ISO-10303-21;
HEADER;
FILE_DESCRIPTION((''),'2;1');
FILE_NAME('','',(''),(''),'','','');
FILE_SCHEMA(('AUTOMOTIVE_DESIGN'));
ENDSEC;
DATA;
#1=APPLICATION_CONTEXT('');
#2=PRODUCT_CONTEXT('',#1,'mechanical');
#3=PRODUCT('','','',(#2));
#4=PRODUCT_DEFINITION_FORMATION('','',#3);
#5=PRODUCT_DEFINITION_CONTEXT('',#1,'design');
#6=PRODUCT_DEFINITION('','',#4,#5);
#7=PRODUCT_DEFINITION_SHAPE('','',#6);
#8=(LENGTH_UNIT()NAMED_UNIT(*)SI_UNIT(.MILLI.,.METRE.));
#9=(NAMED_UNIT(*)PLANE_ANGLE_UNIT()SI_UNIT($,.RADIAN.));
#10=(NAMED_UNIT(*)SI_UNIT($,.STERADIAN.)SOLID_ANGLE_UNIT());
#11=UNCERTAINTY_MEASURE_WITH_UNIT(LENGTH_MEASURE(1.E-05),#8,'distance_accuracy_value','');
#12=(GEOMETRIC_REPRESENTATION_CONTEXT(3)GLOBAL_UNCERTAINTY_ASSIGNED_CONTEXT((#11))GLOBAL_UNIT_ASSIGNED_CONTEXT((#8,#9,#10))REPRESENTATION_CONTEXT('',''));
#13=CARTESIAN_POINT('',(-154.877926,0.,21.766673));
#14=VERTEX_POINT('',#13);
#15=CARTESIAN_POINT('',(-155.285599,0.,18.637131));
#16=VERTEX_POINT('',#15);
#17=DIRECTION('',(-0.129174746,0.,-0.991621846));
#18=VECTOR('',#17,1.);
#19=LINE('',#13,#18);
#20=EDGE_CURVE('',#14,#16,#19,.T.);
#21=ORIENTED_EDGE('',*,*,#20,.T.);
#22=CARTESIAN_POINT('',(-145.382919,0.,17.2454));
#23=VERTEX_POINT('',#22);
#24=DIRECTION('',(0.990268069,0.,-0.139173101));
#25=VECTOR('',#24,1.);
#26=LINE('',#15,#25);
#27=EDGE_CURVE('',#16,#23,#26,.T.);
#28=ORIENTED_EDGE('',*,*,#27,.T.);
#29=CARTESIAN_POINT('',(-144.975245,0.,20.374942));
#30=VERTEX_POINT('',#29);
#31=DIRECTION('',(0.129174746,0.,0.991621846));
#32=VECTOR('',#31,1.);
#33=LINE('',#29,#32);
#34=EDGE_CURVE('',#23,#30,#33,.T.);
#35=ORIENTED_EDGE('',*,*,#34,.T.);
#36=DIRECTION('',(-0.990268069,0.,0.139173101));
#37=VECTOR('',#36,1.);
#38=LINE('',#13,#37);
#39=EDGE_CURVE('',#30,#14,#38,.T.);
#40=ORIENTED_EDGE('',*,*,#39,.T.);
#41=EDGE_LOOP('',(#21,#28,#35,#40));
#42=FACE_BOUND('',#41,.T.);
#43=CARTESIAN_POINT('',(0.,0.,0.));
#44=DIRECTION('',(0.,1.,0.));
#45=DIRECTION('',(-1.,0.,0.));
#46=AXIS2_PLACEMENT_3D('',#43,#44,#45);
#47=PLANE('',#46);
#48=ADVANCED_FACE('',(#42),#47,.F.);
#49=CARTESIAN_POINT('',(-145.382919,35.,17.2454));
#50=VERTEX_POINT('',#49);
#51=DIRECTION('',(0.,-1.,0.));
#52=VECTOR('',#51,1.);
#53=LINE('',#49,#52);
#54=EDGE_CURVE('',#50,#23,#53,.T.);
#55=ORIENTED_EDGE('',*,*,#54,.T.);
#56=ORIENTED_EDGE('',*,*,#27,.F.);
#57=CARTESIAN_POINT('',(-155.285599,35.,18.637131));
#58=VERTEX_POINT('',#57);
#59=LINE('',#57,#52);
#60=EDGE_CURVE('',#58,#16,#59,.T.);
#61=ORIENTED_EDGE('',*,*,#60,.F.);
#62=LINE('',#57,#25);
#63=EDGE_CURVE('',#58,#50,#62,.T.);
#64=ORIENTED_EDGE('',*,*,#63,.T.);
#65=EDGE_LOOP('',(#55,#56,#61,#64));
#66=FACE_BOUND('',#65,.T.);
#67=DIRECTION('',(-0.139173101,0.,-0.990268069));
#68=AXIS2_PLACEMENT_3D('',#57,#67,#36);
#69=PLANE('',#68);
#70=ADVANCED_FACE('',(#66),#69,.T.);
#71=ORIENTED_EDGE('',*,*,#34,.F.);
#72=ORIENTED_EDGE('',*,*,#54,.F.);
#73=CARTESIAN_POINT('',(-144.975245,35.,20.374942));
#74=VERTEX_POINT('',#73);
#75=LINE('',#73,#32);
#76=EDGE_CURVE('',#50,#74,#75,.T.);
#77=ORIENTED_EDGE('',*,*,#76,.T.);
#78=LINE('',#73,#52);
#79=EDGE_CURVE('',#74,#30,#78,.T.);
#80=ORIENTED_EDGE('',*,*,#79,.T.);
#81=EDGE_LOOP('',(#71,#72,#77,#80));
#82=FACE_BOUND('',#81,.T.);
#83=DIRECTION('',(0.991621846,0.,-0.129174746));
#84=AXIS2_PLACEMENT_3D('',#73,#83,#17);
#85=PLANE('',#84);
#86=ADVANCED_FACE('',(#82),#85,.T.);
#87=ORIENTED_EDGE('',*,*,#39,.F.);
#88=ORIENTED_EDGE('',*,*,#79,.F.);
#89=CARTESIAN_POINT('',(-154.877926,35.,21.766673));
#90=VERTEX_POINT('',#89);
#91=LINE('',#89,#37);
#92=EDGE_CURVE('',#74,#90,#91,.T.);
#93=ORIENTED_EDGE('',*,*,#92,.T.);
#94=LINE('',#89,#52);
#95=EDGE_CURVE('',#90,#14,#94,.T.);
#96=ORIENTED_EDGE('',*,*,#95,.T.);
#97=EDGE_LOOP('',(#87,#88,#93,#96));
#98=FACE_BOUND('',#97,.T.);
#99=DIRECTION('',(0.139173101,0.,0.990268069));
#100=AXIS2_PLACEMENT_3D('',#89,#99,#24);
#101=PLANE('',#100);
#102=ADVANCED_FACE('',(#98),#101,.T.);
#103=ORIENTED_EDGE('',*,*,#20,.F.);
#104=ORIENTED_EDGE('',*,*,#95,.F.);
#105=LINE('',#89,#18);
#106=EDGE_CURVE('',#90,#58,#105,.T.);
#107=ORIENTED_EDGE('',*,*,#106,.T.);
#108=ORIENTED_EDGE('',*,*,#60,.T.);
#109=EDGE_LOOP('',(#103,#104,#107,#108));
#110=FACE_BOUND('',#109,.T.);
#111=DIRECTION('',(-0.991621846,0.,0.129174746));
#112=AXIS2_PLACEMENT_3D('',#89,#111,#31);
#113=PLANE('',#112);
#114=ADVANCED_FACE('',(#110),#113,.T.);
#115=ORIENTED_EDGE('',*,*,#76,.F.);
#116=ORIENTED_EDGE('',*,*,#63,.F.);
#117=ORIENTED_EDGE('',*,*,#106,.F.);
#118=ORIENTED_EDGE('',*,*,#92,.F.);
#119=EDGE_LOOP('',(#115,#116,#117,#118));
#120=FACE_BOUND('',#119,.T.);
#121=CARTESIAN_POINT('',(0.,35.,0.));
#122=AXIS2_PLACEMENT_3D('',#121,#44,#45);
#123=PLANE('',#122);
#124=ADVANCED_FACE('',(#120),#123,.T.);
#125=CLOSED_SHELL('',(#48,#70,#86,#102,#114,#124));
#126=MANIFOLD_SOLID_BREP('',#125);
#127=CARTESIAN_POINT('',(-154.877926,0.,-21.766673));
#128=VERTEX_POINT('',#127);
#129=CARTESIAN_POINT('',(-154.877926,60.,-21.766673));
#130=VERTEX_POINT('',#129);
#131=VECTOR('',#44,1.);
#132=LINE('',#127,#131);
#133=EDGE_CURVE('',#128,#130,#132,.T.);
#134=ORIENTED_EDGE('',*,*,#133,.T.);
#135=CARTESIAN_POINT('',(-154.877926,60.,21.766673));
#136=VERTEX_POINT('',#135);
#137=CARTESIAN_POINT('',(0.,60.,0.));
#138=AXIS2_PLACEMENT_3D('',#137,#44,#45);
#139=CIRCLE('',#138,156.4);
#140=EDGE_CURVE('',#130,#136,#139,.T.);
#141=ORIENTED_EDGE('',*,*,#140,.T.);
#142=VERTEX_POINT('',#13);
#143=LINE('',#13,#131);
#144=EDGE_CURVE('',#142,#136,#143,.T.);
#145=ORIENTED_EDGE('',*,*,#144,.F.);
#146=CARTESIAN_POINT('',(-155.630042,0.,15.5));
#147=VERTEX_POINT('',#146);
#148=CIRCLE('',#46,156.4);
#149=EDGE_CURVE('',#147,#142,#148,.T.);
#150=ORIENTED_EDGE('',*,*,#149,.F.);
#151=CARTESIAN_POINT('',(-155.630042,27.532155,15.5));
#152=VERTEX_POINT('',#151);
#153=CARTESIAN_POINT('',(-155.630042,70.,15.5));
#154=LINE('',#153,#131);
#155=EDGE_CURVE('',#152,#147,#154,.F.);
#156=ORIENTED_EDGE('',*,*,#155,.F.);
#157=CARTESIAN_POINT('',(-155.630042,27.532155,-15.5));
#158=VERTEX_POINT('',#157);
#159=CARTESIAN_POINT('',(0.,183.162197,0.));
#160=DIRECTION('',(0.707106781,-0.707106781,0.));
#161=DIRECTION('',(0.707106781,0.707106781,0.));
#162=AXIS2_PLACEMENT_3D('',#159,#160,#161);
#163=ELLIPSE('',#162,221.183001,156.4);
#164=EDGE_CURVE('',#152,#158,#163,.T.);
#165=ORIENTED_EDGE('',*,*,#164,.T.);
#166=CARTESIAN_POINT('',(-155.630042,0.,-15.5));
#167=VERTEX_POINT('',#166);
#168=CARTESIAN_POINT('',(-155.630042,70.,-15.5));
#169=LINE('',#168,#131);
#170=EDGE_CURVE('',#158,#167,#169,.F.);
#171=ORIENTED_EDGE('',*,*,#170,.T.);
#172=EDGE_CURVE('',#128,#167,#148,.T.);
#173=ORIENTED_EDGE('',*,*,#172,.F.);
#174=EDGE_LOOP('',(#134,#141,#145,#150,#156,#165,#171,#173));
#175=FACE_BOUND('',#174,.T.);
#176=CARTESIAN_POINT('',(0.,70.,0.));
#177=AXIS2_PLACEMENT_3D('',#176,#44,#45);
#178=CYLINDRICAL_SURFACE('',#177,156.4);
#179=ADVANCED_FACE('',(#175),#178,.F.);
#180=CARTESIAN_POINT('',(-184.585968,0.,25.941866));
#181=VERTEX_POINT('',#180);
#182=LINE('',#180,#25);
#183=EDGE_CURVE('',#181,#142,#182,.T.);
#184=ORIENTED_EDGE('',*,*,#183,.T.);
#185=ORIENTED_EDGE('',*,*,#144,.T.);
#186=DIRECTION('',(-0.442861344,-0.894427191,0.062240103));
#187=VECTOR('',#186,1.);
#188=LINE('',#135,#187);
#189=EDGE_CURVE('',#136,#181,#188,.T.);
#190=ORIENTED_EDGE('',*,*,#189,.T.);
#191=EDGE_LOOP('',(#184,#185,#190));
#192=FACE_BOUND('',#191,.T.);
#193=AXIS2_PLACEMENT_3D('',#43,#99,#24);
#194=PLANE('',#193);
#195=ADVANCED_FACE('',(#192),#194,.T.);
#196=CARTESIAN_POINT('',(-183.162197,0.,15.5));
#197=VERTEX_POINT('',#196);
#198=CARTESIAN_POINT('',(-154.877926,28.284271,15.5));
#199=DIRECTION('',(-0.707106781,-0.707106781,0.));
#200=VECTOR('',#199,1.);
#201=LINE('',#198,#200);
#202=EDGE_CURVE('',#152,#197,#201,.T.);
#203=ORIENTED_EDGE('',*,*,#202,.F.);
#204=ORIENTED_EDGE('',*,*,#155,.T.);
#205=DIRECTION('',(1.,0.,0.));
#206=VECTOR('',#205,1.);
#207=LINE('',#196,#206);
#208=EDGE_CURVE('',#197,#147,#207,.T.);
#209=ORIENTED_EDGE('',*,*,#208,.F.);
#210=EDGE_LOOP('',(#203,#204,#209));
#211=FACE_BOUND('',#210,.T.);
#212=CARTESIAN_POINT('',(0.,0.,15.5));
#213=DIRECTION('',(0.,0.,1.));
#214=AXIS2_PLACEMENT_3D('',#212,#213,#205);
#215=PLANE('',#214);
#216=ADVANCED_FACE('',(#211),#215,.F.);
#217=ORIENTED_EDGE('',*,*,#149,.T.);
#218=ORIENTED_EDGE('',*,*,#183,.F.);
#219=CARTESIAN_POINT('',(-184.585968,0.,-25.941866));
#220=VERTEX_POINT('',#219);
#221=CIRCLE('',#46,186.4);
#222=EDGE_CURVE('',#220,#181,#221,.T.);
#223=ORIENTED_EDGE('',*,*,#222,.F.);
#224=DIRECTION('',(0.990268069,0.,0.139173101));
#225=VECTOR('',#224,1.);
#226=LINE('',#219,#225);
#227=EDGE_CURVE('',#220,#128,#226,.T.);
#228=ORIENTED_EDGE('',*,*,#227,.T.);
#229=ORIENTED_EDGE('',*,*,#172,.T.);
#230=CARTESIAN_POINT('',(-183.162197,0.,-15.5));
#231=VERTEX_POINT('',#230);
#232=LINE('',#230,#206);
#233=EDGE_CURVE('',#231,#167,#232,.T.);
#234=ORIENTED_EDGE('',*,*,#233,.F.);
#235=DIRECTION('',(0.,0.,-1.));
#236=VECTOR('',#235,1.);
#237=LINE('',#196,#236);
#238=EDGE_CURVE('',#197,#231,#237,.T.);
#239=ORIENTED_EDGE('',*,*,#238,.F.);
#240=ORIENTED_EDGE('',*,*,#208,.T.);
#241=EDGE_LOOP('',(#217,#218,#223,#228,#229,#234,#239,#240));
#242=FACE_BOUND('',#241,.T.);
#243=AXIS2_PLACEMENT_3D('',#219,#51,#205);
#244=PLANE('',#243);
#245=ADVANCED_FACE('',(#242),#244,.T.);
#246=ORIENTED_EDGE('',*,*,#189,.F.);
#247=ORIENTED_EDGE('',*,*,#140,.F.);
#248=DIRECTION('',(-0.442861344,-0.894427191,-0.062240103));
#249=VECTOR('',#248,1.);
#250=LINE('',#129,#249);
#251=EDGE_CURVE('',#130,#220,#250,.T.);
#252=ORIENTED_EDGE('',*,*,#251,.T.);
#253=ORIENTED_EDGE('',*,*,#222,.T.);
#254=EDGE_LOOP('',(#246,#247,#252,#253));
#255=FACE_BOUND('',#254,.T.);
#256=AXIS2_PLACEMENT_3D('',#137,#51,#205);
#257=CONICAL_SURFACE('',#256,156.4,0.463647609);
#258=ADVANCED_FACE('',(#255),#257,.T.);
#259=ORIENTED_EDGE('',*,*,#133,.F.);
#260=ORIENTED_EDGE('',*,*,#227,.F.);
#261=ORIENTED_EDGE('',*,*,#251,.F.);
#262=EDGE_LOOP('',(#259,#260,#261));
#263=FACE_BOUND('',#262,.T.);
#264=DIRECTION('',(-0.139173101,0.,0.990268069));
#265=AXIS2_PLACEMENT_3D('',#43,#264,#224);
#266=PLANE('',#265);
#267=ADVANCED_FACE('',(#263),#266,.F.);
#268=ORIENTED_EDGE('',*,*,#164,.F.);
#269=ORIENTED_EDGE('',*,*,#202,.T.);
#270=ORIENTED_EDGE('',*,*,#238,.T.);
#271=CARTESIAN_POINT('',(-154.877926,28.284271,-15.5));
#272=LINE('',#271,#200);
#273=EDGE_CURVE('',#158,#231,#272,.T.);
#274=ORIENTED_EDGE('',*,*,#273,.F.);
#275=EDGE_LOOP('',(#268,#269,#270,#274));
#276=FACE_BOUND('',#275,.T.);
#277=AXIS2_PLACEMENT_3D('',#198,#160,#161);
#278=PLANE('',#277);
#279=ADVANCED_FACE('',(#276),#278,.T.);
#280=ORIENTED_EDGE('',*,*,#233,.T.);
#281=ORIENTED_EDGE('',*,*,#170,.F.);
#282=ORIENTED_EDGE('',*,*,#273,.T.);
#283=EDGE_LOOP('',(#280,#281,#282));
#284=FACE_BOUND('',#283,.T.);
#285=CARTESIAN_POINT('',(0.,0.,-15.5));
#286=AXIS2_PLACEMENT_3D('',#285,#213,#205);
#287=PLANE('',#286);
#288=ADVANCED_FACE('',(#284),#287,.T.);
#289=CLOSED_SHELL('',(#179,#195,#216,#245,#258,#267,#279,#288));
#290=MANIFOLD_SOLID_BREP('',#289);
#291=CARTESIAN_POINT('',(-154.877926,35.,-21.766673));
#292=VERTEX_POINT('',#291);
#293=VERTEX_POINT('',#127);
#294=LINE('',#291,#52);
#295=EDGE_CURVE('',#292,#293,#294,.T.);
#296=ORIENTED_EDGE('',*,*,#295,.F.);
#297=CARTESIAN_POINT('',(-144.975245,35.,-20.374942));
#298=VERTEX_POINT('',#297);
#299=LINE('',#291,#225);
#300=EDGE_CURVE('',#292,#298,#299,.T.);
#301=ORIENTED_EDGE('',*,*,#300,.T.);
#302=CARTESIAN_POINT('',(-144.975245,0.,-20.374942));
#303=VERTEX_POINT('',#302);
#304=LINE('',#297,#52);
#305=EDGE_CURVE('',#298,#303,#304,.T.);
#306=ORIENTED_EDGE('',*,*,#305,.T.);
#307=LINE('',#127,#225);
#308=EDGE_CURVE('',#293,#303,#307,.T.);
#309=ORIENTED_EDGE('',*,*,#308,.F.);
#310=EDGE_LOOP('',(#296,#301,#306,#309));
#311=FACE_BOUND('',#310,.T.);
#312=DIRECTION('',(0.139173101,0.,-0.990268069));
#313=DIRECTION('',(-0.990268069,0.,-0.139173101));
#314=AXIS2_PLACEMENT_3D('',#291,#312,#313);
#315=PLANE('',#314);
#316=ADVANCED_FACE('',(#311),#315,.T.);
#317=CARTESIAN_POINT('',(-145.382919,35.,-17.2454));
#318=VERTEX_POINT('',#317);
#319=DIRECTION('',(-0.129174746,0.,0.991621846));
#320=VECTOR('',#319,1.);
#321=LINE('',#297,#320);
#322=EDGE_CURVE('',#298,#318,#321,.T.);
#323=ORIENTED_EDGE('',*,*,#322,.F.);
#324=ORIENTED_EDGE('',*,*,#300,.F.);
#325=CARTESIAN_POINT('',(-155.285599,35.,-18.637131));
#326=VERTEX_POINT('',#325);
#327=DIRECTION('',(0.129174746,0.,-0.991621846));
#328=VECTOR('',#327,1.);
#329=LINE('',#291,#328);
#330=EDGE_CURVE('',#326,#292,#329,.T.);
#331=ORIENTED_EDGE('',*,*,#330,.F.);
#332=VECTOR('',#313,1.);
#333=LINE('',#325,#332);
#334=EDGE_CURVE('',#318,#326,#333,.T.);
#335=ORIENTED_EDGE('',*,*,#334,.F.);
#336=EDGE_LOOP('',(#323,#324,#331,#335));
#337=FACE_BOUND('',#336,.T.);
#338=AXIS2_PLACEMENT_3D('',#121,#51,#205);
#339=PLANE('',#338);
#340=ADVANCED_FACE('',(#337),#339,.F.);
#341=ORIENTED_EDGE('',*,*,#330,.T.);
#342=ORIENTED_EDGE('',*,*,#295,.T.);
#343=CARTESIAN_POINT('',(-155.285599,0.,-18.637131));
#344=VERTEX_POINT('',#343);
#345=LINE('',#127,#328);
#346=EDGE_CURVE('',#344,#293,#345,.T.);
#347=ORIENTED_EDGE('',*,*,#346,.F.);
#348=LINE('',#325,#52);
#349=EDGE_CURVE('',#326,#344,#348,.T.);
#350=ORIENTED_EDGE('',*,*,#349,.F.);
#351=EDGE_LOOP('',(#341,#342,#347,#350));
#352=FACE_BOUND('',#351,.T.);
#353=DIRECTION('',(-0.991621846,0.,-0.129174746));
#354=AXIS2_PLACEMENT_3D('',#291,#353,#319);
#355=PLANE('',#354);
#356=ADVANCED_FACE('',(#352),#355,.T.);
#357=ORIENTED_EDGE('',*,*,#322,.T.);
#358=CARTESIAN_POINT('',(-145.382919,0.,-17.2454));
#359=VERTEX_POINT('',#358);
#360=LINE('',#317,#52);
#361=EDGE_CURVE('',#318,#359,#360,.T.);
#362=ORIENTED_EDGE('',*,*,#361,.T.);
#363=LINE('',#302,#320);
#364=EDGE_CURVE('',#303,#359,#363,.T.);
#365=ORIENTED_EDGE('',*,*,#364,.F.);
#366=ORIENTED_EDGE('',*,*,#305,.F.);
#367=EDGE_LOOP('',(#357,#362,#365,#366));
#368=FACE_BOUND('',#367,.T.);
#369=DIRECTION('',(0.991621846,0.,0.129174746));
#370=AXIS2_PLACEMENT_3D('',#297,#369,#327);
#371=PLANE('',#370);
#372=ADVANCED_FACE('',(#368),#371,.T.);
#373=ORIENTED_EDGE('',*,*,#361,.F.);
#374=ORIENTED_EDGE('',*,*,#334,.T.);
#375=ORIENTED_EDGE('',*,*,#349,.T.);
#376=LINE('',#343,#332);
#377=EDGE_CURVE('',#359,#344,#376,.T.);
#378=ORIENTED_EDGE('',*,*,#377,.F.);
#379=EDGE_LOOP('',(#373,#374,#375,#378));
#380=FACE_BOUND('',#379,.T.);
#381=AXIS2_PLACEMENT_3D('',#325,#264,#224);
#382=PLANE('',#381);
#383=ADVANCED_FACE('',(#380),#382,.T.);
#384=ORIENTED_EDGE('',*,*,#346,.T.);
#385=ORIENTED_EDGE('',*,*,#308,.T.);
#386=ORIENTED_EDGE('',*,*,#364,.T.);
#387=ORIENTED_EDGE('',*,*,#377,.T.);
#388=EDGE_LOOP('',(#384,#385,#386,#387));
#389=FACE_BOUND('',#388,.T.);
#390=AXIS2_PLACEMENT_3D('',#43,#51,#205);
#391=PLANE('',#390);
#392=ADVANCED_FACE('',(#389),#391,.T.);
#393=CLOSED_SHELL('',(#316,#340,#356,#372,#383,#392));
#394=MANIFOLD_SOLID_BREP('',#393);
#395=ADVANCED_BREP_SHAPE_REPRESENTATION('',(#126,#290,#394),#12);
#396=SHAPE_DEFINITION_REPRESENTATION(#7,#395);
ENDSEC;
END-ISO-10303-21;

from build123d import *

# Parameters (mm, degrees)
REVOLVE1_ANGLE           = 8
REVOLVE1_OTHER_WAY_ANGLE = 8
CUT_EXTRUDE1_DEPTH       = 15.5
CUT_EXTRUDE1_DEPTH_BACK  = 15.5
BOSS_EXTRUDE1_DEPTH      = 35
BOSS_EXTRUDE1_2_DEPTH    = 35


with BuildPart() as part:
    # Sketch4 → Revolve1 (revolve)
    with BuildSketch(Plane.XY):
        Polygon((-156.4, 0), (-156.4, 60), (-186.4, 0), align=None)
    revolve(axis=Axis((0, 70, 0), (0, -1, 0)), revolution_arc=REVOLVE1_ANGLE)

    # Sketch4 → Revolve1 other way (revolve)
    with BuildSketch(Plane.XY):
        Polygon((-156.4, 0), (-156.4, 60), (-186.4, 0), align=None)
    revolve(axis=Axis((0, 70, 0), (0, 1, 0)), revolution_arc=REVOLVE1_OTHER_WAY_ANGLE)

    # Sketch6 → Cut-Extrude1 (cut, two sides: drawn at the far end of the back side and taken through both)
    with BuildSketch(Plane.XY.offset(-CUT_EXTRUDE1_DEPTH_BACK)):
        Polygon((-154.877925951, 28.284271247), (-183.162197199, 0), (-154.877925951, 0), align=None)
    extrude(amount=CUT_EXTRUDE1_DEPTH + CUT_EXTRUDE1_DEPTH_BACK, mode=Mode.SUBTRACT)


with BuildPart() as body_2:
    # Sketch7 → Boss-Extrude1 (new body)
    with BuildSketch(Plane.XZ):
        Polygon((-154.877925951, 21.76667299), (-155.285599305, 18.637130911), (-145.382918617, 17.245399902), (-144.975245264, 20.374941981), align=None)
    extrude(amount=-BOSS_EXTRUDE1_DEPTH)


with BuildPart() as body_3:
    # Sketch7 → Boss-Extrude1 2 (new body)
    with BuildSketch(Plane.XZ):
        Polygon((-154.877925951, -21.76667299), (-155.285599305, -18.637130911), (-145.382918617, -17.245399902), (-144.975245264, -20.374941981), align=None)
    extrude(amount=-BOSS_EXTRUDE1_2_DEPTH)


solid = Compound([part.part, body_2.part, body_3.part])
